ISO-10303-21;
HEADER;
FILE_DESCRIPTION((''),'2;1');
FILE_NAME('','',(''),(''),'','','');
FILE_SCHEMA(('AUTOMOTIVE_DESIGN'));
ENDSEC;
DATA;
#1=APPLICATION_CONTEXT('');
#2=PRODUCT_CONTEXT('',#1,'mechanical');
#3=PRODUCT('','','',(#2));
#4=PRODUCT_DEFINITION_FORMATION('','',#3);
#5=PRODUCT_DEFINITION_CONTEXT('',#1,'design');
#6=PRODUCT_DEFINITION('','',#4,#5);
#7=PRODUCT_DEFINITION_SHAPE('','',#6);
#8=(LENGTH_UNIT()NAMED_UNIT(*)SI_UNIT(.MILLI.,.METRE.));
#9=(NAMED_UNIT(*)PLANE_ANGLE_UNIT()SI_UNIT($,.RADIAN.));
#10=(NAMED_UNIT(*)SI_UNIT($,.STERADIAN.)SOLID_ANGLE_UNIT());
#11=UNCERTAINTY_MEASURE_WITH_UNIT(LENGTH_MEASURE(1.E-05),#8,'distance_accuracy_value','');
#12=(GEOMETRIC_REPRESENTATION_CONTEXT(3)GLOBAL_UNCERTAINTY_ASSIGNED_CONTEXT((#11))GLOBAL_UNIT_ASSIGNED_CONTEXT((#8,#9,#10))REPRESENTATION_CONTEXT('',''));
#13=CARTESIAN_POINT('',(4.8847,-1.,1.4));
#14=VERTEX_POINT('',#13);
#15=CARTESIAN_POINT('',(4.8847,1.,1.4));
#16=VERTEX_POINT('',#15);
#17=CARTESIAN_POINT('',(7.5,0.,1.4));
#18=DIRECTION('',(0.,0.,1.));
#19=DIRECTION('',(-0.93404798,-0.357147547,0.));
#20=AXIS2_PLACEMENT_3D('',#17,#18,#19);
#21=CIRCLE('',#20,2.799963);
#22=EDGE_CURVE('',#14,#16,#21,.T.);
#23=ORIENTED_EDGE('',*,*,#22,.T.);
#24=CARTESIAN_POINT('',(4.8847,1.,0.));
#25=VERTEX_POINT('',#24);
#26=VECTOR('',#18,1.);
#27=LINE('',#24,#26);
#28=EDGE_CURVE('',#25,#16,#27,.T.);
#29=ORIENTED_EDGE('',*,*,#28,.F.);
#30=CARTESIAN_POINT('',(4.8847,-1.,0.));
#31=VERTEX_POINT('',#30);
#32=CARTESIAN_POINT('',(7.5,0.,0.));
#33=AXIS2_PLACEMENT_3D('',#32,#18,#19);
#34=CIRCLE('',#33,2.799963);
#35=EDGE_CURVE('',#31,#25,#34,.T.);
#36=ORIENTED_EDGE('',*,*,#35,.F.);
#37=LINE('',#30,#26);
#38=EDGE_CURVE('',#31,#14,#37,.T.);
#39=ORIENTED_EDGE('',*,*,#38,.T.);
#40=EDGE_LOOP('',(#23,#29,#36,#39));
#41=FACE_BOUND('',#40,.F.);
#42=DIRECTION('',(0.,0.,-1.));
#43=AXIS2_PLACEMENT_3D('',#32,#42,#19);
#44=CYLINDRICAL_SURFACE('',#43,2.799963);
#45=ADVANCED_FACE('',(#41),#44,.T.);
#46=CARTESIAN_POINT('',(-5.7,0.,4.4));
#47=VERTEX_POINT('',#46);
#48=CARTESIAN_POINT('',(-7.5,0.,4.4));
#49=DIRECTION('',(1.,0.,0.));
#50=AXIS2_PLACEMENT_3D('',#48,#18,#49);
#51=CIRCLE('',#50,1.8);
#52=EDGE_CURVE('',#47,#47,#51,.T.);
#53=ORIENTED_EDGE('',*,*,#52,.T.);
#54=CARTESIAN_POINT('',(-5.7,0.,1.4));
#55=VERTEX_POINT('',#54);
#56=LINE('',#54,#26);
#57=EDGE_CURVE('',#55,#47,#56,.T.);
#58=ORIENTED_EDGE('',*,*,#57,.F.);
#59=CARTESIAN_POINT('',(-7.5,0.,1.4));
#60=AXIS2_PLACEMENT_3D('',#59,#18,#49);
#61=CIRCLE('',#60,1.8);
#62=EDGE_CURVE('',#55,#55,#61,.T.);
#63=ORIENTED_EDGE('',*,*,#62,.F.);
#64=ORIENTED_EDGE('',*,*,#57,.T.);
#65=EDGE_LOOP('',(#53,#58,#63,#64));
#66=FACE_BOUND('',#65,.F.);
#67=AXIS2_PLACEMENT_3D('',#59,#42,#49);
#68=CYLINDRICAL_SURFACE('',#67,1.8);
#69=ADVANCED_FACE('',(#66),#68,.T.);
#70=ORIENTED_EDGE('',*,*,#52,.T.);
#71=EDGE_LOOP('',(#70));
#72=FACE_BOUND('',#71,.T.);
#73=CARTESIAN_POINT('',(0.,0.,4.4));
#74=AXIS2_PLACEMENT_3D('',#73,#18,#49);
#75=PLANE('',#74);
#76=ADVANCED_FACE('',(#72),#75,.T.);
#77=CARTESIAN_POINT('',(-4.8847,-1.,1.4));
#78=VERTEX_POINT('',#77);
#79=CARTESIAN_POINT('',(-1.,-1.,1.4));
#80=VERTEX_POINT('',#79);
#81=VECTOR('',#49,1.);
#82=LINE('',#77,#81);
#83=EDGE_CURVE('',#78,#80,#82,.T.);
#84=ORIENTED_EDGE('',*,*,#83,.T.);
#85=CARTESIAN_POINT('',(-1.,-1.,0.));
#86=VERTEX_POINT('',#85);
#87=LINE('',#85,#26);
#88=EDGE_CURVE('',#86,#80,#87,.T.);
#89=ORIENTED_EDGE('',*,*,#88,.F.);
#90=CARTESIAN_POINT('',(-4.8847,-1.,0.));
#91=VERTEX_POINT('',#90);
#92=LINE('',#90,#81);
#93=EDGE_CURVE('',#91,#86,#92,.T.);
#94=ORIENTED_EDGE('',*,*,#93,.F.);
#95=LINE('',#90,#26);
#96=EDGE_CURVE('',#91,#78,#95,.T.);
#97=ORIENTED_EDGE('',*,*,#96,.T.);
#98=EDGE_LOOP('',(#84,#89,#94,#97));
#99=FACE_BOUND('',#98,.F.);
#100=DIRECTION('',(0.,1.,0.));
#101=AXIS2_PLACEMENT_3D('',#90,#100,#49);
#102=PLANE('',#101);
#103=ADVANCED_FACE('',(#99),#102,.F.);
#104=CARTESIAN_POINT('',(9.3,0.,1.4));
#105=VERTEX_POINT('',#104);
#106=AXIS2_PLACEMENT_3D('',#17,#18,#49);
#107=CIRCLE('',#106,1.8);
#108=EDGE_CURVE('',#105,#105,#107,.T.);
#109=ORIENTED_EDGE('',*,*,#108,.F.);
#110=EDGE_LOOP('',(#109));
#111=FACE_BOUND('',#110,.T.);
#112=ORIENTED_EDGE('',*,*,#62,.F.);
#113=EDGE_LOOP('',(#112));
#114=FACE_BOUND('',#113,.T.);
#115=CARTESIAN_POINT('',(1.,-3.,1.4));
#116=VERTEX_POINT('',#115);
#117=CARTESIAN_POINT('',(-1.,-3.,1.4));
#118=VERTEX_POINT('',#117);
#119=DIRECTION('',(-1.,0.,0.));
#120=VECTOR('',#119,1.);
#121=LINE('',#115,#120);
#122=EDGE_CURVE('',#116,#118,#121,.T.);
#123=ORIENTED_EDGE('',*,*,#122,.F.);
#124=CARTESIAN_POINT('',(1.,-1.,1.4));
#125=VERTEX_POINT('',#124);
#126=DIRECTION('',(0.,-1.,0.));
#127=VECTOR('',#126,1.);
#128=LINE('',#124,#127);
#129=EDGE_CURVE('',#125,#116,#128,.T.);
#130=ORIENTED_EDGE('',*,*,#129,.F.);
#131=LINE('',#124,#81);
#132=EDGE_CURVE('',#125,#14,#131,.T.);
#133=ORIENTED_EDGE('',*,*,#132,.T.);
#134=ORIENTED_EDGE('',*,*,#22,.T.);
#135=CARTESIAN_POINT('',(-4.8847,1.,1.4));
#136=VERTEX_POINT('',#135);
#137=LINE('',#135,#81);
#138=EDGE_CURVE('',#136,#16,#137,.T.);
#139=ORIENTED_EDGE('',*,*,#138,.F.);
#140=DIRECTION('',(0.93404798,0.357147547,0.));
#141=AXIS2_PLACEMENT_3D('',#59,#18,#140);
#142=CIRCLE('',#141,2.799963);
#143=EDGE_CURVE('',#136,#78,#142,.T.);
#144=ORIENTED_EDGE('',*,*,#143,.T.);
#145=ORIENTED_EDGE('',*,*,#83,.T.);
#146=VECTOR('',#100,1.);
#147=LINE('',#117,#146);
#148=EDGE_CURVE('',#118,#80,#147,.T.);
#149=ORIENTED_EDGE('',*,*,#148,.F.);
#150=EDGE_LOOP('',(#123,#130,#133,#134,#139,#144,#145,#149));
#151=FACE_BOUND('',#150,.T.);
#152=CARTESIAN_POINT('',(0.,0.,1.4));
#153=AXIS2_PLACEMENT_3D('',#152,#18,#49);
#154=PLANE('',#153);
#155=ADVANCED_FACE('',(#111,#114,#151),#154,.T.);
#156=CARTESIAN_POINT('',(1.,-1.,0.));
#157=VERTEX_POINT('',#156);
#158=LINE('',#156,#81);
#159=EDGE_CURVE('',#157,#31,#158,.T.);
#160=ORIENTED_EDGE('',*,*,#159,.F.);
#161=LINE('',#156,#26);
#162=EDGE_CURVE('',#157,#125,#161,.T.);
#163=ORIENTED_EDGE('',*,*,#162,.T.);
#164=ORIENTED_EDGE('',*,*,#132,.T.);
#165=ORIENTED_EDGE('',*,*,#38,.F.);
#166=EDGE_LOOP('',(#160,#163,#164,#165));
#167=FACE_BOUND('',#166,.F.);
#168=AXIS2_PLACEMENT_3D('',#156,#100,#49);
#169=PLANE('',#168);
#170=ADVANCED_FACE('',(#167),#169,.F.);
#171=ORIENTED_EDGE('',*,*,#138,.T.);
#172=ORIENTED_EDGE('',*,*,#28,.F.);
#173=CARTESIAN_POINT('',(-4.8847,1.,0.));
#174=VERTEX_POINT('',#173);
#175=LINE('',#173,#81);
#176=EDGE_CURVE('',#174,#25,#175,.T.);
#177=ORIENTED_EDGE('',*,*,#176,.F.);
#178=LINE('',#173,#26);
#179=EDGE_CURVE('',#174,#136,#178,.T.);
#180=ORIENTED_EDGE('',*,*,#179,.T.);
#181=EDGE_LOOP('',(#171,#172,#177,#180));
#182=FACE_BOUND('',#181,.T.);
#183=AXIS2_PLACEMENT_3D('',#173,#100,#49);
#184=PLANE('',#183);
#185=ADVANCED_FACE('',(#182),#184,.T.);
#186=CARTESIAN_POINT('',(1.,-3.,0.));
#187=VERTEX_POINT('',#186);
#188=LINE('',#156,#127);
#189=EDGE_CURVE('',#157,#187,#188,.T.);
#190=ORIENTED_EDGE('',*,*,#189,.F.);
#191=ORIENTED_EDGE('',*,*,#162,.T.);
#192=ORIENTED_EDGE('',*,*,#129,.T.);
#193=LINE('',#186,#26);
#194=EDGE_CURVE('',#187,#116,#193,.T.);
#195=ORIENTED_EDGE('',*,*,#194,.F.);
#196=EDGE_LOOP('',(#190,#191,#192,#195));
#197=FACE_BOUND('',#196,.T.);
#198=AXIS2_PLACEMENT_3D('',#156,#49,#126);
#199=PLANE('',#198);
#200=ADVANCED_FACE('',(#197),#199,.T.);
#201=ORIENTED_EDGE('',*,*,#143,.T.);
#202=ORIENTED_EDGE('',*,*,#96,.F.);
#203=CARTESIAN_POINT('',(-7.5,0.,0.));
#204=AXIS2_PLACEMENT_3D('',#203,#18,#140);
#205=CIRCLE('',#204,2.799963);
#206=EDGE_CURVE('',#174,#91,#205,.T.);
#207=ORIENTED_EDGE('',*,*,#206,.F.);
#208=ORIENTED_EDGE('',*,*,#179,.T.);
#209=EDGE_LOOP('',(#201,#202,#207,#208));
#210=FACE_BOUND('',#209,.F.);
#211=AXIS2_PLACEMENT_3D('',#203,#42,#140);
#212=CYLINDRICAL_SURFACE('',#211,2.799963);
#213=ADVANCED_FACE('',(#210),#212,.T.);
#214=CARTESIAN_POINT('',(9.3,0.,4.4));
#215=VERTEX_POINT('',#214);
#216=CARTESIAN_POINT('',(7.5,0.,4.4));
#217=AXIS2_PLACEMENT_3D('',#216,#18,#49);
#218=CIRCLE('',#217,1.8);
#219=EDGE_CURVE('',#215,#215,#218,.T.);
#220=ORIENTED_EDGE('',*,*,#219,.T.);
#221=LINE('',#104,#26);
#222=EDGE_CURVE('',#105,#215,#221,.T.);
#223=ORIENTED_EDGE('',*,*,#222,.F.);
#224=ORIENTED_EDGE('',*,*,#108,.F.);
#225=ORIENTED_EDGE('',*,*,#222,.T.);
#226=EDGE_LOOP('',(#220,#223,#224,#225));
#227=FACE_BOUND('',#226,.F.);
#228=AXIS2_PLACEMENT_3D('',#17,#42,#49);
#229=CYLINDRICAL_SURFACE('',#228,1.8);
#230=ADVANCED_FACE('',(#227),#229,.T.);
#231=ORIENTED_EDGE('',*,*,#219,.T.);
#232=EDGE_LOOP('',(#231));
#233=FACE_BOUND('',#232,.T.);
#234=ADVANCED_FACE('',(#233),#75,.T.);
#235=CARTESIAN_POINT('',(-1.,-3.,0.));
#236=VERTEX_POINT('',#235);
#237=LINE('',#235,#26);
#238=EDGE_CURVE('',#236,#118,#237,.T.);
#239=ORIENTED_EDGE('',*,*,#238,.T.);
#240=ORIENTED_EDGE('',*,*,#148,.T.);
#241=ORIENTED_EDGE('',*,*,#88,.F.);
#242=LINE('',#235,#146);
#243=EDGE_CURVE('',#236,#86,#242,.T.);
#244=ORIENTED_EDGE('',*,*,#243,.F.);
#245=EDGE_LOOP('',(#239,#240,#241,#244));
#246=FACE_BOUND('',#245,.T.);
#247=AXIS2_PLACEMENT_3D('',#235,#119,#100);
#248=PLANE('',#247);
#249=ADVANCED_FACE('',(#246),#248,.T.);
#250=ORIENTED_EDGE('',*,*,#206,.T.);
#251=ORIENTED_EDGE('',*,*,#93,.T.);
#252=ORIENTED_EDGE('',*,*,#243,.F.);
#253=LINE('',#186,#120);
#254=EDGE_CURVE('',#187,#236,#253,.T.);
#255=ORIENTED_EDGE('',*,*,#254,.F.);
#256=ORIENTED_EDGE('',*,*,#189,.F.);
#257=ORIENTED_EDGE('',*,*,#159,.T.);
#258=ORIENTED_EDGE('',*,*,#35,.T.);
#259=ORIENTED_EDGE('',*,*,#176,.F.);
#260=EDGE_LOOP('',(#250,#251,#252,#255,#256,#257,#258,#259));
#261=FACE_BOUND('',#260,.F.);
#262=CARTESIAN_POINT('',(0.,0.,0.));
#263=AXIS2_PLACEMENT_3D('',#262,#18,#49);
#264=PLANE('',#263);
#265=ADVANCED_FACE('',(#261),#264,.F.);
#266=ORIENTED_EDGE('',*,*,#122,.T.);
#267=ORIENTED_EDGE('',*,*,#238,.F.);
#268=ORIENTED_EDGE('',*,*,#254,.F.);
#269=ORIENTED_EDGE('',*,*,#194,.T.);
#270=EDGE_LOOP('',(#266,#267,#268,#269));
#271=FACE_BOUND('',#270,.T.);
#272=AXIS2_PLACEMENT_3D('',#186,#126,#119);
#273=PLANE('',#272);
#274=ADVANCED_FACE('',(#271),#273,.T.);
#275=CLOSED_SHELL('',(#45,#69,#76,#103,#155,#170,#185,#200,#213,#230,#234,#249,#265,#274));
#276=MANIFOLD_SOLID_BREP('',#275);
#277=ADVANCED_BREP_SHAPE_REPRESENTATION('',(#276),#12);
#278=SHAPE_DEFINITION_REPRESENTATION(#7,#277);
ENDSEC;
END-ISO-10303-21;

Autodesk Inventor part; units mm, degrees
ref_plane "YZ Plane" through (0, 0, 0) normal (1, 0, 0) x (0, 1, 0)
ref_plane "XZ Plane" through (0, 0, 0) normal (0, 1, 0) x (-1, 0, 0)
ref_plane "XY Plane" through (0, 0, 0) normal (0, 0, 1) x (1, 0, 0)
sketch "Эскиз1" plane through (0, 0, 0) normal (0, 0, 1) x (1, 0, 0)
  arc A0 (-4.8847, 1) -> (-4.8847, -1) centre (-7.5, 0) ccw
  arc A1 (4.8847, -1) -> (4.8847, 1) centre (7.5, 0) ccw
  line L0 (-7.5, 0) -> (7.5, 0) construction
  line L1 (-4.8847, 1) -> (4.8847, 1)
  line L2 (1, -1) -> (1, -3)
  line L3 (1, -3) -> (-1, -3)
  line L4 (-1, -3) -> (-1, -1)
  line L5 (-4.8847, -1) -> (-1, -1)
  line L6 (1, -1) -> (4.8847, -1)
  point P0 (0, 0)
  point P1 (0, 1)
  point P2 (0, -3)
  point P3 (0, 0)
  dimension "d0" = 5.6
  dimension "d1" = 5.6
  dimension "d2" = 15
  dimension "d3" = 1
  dimension "d7" = 2
  dimension "d8" = 2
extrude "Выдавливание1" add sketch "Эскиз1" along normal blind 1.4
sketch "Эскиз2" plane through (0, 0, 1.4) normal (0, 0, 1) x (1, 0, 0)
  arc A0 (-4.8847, 1) -> (-4.8847, -1) centre (-7.5, 0) ccw projected
  arc A1 (4.8847, -1) -> (4.8847, 1) centre (7.5, 0) ccw projected
  circle A2 centre (-7.5, 0) radius 1.8
  circle A3 centre (7.5, 0) radius 1.8
  point P0 (0, 0)
  dimension "d11" = 3.6
  dimension "d12" = 3.6
extrude "Выдавливание2" add sketch "Эскиз2" along normal blind 3
properties part number "fwd_rev_btns"
